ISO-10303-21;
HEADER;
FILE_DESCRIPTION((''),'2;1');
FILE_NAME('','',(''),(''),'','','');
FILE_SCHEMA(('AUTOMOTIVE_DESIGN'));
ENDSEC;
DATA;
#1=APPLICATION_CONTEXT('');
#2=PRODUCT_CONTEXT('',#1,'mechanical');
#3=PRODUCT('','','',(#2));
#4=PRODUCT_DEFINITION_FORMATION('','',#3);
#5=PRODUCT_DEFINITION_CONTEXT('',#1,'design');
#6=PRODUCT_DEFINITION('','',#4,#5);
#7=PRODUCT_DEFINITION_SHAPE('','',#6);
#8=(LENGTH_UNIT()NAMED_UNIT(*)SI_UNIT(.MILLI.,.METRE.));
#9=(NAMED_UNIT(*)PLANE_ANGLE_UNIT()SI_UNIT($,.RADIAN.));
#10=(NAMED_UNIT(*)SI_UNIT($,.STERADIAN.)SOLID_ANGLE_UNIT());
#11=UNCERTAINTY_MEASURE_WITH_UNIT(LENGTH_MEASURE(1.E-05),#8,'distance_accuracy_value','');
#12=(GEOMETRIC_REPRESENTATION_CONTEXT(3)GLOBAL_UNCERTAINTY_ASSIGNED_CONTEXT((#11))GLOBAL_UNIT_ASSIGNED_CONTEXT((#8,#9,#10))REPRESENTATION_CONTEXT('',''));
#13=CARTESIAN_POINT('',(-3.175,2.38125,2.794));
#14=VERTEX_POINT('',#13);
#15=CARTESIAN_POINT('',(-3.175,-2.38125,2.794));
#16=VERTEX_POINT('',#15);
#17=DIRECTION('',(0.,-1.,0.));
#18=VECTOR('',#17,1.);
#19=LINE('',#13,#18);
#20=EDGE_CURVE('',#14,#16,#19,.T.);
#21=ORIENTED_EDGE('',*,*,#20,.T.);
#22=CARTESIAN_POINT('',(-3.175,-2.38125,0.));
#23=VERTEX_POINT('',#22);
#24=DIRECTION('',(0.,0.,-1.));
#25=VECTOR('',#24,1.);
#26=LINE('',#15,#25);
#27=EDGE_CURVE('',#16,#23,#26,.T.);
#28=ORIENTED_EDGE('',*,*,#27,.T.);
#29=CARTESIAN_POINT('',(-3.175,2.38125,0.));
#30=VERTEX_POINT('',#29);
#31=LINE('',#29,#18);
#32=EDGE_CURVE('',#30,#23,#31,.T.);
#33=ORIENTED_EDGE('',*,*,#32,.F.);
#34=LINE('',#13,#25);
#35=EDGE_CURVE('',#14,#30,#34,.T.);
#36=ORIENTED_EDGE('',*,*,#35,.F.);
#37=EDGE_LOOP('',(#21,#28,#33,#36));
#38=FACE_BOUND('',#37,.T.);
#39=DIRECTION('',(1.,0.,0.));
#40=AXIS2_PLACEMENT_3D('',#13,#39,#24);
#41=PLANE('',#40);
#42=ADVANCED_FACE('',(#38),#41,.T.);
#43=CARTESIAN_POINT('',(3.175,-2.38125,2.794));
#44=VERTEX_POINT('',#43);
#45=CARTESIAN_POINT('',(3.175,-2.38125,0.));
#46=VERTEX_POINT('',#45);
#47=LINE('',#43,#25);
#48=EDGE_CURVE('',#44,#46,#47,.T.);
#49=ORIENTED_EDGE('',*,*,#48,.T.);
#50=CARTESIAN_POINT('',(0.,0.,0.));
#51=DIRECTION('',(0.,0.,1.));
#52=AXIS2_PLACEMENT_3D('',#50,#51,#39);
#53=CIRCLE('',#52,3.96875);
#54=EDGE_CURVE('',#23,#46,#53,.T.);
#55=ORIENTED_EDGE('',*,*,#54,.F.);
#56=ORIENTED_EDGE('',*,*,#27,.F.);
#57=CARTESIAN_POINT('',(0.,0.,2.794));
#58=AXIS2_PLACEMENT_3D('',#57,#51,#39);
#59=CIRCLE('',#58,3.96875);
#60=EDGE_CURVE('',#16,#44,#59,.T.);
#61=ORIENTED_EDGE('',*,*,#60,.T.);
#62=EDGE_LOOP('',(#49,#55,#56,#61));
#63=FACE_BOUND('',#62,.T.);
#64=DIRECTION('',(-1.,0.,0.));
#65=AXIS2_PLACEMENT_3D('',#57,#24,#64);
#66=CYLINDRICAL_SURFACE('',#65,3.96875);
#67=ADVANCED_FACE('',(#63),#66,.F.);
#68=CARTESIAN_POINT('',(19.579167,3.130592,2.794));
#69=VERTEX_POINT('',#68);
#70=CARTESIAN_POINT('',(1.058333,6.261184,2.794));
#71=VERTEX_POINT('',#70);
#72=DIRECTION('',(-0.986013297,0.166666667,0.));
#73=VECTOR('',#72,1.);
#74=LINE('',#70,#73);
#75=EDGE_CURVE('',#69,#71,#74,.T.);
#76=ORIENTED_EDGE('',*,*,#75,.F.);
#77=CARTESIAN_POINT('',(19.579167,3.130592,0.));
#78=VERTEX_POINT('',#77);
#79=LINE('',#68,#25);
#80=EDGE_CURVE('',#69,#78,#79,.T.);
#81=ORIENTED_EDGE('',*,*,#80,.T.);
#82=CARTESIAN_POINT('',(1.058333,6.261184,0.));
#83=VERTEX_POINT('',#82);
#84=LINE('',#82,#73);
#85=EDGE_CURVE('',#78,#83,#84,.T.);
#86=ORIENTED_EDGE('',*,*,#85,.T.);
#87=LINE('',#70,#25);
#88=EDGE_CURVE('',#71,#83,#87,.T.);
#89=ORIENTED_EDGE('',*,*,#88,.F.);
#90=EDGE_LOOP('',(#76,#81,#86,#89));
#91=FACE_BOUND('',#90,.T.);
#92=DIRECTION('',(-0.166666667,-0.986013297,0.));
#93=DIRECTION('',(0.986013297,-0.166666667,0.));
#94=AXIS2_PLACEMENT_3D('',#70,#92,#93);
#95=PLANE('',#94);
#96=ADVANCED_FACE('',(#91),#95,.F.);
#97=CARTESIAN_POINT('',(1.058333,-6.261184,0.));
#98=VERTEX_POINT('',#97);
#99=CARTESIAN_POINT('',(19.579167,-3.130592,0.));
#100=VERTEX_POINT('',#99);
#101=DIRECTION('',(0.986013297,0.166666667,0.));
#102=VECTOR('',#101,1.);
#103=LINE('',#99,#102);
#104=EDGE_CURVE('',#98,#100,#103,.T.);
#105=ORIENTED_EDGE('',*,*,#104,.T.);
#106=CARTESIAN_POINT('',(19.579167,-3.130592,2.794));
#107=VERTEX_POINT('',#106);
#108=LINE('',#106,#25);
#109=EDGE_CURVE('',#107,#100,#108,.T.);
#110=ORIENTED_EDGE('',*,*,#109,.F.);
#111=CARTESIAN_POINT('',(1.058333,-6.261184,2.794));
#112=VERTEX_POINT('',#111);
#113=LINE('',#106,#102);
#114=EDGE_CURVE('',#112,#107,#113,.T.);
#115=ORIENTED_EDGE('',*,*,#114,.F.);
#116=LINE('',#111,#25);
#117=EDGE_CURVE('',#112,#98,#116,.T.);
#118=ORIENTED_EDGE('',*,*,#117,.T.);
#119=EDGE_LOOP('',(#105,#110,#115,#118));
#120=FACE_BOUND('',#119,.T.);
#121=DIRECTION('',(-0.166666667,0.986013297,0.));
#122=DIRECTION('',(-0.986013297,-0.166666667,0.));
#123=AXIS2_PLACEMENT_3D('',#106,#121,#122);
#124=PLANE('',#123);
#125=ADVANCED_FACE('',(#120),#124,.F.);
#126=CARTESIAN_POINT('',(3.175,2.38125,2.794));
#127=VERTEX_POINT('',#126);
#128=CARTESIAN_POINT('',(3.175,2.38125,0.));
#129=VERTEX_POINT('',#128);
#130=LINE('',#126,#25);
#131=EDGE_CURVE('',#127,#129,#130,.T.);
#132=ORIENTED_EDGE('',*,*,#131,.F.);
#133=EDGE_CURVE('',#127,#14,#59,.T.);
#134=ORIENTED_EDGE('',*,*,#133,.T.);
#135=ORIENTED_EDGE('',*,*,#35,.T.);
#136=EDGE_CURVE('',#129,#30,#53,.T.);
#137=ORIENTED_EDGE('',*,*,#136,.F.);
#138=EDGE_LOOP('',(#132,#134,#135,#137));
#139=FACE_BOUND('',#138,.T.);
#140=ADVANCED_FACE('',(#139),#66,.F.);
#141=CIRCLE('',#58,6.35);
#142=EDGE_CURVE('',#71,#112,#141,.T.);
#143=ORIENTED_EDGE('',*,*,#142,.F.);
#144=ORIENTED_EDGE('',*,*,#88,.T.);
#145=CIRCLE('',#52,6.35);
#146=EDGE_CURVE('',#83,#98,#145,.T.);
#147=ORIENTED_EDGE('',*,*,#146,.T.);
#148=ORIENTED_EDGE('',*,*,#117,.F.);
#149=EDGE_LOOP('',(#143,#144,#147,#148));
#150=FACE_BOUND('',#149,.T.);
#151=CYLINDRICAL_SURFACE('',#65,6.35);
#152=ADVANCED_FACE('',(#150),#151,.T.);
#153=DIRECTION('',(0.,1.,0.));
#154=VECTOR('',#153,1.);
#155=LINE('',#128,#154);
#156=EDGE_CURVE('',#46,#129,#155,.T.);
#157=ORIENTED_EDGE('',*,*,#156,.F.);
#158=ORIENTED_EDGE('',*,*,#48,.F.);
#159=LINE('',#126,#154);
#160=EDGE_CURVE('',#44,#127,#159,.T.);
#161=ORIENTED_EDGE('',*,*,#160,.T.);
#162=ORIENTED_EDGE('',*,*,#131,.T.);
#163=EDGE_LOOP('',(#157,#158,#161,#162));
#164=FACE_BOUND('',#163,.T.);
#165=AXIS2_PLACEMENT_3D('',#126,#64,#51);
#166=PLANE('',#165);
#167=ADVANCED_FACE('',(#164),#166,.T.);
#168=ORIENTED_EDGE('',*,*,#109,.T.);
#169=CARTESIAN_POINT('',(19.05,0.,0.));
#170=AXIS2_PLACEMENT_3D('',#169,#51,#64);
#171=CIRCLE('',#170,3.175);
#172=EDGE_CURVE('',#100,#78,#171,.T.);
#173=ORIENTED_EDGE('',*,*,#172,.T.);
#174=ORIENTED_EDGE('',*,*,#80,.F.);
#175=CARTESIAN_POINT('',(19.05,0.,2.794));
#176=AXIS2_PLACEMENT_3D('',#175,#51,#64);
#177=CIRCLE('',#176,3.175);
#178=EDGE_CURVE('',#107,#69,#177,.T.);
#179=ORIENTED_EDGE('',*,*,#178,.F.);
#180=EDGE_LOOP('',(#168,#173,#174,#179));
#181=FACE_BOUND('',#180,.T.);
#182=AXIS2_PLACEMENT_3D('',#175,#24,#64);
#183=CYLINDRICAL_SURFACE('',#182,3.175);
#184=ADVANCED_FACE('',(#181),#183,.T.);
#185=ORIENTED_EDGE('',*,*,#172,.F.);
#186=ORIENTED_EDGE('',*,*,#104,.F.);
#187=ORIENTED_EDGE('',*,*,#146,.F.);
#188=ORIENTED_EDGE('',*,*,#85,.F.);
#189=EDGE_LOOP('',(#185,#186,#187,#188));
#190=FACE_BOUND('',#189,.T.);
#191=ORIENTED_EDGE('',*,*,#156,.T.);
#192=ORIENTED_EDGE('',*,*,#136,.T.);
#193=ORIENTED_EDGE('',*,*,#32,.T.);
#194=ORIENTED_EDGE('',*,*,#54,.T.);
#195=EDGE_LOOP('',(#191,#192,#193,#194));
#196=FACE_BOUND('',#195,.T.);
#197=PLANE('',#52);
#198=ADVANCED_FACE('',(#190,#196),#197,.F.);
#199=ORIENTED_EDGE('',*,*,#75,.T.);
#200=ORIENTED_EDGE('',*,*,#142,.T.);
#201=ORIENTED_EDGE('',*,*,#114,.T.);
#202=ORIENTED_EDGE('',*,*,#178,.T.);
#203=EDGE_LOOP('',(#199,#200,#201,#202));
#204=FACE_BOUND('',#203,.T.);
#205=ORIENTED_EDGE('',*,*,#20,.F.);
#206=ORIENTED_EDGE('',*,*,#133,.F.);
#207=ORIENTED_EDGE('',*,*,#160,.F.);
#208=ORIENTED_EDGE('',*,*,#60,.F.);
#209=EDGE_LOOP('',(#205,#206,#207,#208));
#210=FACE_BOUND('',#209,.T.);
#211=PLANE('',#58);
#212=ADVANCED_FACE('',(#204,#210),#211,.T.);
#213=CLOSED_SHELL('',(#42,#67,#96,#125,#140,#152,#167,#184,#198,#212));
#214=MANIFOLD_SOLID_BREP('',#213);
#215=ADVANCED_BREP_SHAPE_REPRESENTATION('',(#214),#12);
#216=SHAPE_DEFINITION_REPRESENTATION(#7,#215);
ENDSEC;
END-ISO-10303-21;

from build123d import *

# Parameters (mm, degrees)
BOSS_EXTRUDE1_DEPTH = 2.794


with BuildPart() as part:
    # Sketch1 → Boss-Extrude1 (new body)
    with BuildSketch(Plane.XY):
        with BuildLine():
            Line((1.058333333, 6.261184437), (19.579166667, 3.130592219))
            ThreePointArc((19.579166667, 3.130592219), (22.225, 0), (19.579166667, -3.130592219))
            Line((19.579166667, -3.130592219), (1.058333333, -6.261184437))
            ThreePointArc((1.058333333, -6.261184437), (-6.35, 0), (1.058333333, 6.261184437))
        make_face()
        with BuildLine():
            Line((-3.175, 2.38125), (-3.175, -2.38125))
            ThreePointArc((-3.175, -2.38125), (0, -3.96875), (3.175, -2.38125))
            Line((3.175, -2.38125), (3.175, 2.38125))
            ThreePointArc((3.175, 2.38125), (0, 3.96875), (-3.175, 2.38125))
        make_face(mode=Mode.SUBTRACT)
    extrude(amount=BOSS_EXTRUDE1_DEPTH)


solid = part.part
